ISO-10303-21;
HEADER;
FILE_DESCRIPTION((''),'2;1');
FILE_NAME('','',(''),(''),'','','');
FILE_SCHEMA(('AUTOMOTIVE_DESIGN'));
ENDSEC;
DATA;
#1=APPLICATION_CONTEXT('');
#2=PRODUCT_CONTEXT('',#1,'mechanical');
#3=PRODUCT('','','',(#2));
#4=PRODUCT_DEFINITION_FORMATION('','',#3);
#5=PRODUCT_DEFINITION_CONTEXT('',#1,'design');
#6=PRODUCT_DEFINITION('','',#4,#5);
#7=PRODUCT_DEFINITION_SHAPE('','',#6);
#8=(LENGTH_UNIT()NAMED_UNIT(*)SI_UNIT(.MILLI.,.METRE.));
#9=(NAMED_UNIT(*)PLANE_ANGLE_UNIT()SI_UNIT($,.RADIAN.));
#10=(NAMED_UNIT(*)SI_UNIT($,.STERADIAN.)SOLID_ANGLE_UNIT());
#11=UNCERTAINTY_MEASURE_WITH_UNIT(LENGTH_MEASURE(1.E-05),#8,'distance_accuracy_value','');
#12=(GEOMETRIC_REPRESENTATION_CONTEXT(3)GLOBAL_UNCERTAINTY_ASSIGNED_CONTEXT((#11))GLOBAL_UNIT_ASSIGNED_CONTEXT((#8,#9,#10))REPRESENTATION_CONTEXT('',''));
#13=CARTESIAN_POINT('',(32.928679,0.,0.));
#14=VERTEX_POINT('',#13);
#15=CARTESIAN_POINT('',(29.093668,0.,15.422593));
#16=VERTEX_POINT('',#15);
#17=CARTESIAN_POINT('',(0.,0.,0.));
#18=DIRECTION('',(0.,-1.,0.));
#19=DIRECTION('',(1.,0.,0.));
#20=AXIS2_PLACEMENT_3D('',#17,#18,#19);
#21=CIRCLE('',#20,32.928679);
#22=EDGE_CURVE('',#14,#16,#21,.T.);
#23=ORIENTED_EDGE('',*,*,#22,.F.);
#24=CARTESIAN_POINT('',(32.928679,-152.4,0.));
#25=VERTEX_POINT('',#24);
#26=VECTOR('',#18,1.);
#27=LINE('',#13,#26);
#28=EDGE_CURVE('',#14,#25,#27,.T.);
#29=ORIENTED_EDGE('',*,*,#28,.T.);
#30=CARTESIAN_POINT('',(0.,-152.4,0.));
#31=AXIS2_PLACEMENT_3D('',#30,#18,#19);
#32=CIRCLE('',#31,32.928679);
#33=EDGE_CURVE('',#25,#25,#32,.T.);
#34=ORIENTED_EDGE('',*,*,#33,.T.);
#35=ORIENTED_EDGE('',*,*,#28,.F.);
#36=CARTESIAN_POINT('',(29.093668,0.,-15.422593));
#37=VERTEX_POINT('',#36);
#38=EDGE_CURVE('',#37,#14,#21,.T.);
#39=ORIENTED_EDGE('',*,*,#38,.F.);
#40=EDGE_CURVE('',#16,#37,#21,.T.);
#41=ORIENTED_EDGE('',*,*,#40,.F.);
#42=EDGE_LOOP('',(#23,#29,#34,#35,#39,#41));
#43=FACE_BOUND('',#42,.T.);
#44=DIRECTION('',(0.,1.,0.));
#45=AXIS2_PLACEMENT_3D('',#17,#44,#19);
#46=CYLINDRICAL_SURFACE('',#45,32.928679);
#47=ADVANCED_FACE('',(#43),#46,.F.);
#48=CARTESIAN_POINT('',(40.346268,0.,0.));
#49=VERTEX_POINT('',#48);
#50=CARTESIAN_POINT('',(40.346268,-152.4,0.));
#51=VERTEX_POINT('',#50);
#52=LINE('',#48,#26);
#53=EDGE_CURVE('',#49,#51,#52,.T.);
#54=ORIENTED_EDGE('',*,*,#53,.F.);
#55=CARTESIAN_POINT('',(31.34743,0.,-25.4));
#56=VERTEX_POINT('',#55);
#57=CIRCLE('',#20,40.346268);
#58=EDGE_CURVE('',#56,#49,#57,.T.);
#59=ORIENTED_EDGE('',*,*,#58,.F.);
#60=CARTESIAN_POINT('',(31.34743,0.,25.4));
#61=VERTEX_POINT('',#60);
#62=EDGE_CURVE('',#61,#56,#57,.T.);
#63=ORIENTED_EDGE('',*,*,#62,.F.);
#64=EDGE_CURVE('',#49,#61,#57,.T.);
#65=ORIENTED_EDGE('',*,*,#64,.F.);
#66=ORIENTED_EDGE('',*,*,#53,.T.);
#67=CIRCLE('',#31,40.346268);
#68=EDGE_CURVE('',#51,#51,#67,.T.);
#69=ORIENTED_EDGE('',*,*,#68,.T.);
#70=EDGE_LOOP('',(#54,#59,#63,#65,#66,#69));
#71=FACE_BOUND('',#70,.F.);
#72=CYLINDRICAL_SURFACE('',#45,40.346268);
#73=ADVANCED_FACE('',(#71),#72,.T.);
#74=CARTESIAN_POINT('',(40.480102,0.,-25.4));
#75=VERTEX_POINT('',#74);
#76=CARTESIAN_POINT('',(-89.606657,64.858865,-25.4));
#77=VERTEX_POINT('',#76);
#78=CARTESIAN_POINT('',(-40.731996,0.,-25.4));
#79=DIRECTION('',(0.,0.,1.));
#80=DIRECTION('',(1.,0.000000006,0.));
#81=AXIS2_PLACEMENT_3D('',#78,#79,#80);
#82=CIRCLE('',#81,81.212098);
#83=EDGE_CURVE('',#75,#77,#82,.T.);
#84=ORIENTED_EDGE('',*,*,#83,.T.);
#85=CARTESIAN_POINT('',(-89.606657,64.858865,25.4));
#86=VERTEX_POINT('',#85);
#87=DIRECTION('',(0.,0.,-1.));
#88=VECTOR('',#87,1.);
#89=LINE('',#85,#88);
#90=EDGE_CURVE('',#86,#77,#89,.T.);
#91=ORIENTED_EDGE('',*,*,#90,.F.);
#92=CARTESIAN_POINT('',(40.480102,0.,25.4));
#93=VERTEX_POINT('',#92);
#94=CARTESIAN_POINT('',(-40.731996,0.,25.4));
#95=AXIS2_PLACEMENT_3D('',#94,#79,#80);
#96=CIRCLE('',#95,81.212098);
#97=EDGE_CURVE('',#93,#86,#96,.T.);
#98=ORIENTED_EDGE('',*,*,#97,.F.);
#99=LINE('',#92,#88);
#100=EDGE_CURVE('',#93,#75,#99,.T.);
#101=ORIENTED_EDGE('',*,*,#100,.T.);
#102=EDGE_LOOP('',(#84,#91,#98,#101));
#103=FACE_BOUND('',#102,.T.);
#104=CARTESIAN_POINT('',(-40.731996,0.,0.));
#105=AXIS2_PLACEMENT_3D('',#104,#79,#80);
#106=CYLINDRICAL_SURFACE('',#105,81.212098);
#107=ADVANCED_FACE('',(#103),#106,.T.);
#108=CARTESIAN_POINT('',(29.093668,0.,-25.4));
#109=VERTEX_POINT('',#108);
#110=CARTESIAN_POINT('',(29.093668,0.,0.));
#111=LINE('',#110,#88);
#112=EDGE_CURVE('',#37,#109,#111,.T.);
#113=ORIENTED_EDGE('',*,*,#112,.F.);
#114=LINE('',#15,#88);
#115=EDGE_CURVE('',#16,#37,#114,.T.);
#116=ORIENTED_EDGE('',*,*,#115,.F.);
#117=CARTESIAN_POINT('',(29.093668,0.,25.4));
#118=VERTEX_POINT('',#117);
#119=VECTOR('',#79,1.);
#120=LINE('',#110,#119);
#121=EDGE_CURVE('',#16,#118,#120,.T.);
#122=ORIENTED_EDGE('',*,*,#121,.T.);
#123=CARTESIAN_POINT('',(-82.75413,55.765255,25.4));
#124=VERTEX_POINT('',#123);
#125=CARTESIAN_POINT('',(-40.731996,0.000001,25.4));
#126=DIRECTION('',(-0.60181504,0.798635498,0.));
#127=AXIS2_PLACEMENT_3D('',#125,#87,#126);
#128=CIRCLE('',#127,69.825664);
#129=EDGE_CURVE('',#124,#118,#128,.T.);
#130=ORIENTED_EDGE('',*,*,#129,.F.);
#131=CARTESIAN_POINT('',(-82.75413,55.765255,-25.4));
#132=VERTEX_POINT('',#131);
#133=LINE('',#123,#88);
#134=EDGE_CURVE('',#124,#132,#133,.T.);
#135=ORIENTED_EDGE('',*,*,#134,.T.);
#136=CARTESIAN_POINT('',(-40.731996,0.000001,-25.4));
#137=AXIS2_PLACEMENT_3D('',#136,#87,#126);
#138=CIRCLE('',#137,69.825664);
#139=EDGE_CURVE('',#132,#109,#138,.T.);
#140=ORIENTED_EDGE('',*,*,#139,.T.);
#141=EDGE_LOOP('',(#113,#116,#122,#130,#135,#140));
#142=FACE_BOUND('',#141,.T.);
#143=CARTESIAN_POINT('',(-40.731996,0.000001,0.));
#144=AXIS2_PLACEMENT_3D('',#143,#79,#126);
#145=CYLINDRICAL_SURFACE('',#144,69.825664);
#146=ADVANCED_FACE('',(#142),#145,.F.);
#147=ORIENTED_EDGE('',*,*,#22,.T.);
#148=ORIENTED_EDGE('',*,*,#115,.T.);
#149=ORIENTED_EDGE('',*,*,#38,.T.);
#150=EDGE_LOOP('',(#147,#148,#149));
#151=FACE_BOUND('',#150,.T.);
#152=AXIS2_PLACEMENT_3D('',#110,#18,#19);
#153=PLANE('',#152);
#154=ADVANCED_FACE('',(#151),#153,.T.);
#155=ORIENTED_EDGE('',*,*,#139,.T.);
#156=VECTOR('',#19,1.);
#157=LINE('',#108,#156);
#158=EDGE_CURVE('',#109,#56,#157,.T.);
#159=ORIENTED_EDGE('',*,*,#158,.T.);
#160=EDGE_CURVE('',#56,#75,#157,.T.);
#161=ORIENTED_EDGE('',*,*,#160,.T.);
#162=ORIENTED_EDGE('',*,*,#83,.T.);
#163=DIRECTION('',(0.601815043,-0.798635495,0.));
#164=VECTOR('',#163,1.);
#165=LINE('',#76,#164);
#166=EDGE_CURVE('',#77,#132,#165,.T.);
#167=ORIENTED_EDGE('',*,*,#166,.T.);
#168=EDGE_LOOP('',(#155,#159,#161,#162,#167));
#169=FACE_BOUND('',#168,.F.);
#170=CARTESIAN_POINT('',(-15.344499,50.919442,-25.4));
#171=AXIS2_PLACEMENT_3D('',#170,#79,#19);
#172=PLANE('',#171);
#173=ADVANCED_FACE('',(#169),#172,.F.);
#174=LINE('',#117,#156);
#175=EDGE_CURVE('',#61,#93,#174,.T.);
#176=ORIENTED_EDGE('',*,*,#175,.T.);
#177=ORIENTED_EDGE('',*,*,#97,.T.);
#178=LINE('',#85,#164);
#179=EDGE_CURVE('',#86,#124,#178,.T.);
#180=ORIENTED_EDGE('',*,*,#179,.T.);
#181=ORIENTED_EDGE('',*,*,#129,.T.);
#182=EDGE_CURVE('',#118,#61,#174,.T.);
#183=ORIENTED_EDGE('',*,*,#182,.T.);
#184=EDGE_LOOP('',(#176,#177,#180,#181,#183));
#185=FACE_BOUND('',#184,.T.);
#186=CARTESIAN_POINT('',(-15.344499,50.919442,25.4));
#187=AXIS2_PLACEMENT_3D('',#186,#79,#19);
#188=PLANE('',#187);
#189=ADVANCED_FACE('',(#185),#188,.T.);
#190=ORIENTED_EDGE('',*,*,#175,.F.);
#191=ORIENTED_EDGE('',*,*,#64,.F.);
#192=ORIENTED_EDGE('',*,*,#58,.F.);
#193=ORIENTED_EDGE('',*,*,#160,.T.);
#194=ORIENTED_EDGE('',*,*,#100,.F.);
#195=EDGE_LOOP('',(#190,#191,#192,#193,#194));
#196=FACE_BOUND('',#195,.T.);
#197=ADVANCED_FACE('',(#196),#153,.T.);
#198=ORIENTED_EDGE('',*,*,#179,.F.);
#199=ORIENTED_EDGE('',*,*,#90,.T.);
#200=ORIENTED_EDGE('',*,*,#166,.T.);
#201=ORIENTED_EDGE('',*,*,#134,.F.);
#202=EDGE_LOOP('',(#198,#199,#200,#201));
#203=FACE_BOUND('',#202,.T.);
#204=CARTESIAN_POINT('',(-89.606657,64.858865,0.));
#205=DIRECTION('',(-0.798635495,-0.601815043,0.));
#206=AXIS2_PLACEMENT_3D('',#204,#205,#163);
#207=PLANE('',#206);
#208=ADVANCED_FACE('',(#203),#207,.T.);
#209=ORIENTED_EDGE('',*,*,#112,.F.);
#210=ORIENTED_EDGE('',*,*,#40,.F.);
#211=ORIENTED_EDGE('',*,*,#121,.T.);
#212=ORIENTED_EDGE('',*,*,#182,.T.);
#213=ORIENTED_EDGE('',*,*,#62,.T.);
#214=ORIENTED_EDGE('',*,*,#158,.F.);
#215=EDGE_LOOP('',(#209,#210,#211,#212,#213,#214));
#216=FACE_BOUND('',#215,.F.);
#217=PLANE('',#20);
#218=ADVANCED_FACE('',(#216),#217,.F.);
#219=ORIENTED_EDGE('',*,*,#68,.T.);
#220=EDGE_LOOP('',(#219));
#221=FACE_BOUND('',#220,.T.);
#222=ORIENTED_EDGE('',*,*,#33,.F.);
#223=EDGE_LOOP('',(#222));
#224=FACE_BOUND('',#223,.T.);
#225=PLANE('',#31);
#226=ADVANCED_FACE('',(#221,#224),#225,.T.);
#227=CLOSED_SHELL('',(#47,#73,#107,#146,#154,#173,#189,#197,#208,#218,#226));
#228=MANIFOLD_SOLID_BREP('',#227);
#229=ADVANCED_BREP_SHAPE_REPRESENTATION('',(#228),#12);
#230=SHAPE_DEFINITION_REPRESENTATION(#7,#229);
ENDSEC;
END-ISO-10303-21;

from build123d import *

# Parameters (mm, degrees)
F0_R          = 40.346268
F0_R_2        = 32.928679
F1_DEPTH      = 152.4
F3_DEPTH      = 25.4
F3_DEPTH_BACK = 25.4


with BuildPart() as f1:
    # F0 (on Front) → F1 (new body)
    with BuildSketch(Plane.XZ):
        Circle(F0_R)
        Circle(F0_R_2, mode=Mode.SUBTRACT)
    extrude(amount=F1_DEPTH)

    # F2 (on Top) → F3 (join, two sides)
    with BuildSketch(Plane.XY) as f3_sk:
        with BuildLine():
            Line((29.093668, 0), (40.480102, 0))
            ThreePointArc((40.480102, 0), (-4.495336, 72.679497), (-89.606657, 64.858865))
            Line((-89.606657, 64.858865), (-82.75413, 55.765255))
            ThreePointArc((-82.75413, 55.765255), (-9.575937, 62.489387), (29.093668, 0))
        make_face()
    extrude(amount=F3_DEPTH)
    extrude(f3_sk.sketch, amount=-F3_DEPTH_BACK)


solid = f1.part
